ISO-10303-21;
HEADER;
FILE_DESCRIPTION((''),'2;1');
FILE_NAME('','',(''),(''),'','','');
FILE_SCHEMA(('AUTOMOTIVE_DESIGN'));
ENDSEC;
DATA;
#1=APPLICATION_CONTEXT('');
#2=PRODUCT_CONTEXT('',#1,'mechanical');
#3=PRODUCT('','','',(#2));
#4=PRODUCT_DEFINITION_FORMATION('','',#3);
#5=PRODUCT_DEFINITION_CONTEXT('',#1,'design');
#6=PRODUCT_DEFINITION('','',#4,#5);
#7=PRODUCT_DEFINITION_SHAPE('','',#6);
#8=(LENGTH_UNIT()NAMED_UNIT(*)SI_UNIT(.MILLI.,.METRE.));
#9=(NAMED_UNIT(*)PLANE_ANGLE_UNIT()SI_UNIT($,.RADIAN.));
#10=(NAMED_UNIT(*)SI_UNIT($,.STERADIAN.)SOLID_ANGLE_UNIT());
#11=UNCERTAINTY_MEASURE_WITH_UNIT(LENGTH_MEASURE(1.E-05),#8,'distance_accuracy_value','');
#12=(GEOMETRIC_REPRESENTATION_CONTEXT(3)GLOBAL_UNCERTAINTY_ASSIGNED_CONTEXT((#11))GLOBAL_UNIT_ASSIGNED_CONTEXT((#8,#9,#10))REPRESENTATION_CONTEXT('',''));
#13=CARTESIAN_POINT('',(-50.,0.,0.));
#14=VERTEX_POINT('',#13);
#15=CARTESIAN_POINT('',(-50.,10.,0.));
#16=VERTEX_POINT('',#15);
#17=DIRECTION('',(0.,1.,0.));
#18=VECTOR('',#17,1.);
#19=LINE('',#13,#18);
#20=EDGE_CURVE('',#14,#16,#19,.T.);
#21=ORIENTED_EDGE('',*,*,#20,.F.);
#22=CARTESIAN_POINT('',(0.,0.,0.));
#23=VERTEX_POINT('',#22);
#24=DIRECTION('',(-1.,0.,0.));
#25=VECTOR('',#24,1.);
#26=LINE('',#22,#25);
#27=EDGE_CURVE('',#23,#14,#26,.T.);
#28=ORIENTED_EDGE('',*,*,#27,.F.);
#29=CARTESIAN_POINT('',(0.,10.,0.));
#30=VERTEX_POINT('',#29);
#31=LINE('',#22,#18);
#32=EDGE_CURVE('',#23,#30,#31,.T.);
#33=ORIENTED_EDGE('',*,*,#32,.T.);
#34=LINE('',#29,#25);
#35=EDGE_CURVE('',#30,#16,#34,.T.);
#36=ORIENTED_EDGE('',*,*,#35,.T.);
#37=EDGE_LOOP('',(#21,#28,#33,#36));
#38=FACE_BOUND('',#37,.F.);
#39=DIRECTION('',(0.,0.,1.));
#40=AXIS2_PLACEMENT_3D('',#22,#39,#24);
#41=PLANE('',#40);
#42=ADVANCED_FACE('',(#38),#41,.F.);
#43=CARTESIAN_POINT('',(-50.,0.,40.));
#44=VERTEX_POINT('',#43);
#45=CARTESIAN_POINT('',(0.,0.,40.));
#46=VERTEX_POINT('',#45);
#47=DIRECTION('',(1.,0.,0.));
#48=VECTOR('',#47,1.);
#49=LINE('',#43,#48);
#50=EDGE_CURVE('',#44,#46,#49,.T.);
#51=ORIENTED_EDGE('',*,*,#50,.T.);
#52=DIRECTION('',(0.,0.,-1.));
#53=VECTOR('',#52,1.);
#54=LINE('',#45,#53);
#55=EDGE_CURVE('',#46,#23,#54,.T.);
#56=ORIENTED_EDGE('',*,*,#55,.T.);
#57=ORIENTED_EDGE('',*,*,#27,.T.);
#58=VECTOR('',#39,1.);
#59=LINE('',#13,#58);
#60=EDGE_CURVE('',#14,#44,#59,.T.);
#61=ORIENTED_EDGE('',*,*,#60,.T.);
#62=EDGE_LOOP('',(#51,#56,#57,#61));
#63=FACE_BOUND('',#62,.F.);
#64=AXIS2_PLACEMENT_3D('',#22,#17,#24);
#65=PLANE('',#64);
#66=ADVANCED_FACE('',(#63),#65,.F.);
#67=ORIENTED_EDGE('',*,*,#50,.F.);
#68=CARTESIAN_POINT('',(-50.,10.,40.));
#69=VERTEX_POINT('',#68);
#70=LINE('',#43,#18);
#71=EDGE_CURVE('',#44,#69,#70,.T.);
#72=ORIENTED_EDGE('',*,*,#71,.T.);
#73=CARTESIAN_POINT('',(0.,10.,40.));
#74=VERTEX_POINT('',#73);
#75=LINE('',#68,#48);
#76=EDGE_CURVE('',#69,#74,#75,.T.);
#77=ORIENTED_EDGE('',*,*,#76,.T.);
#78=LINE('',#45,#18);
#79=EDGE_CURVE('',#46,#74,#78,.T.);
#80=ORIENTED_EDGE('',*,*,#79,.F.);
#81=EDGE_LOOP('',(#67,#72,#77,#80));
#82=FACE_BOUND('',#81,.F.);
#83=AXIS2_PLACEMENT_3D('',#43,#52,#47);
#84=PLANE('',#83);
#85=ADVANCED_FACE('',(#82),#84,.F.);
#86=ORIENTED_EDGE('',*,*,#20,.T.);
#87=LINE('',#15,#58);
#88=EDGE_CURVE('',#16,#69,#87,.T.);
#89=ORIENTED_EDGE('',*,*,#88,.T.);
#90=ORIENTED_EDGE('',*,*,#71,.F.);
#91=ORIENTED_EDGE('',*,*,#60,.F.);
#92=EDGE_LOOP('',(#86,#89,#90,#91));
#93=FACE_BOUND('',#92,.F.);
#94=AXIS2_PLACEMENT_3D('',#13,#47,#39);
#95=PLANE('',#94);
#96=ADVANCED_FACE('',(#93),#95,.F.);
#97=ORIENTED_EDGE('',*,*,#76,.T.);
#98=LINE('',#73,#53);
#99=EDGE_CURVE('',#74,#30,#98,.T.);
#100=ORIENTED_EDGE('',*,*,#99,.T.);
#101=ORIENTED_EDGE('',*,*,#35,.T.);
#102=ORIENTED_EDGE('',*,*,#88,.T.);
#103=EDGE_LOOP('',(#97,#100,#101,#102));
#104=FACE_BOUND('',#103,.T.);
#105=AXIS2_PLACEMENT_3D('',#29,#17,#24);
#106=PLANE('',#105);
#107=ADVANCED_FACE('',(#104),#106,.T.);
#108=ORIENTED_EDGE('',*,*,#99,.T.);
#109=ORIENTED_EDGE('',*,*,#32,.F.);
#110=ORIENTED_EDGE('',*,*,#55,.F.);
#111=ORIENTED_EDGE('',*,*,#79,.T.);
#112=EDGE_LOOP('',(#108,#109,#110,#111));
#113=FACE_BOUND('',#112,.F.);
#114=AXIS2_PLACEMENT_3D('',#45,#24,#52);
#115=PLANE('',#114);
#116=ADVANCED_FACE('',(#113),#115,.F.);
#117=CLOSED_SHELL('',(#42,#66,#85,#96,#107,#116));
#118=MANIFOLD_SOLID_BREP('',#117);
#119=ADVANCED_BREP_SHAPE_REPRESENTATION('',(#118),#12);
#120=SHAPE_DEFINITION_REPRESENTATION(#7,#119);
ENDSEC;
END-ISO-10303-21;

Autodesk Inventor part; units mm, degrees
ref_plane "YZ Plane" through (0, 0, 0) normal (1, 0, 0) x (0, 1, 0)
ref_plane "XZ Plane" through (0, 0, 0) normal (0, 1, 0) x (-1, 0, 0)
ref_plane "XY Plane" through (0, 0, 0) normal (0, 0, 1) x (1, 0, 0)
sketch "Sketch11" plane through (0, 0, 0) normal (0, 1, 0) x (-1, 0, 0)
  line L0 (0, 0) -> (50, 0)
  line L1 (50, 0) -> (50, 40)
  line L2 (50, 40) -> (0, 40)
  line L3 (0, 40) -> (0, 0)
  dimension "d63" = 50
  dimension "d64" = 40
extrude "Extrusion10" add sketch "Sketch11" along normal blind 10
properties part number "suporte-barra" material "Steel, Carbon"
